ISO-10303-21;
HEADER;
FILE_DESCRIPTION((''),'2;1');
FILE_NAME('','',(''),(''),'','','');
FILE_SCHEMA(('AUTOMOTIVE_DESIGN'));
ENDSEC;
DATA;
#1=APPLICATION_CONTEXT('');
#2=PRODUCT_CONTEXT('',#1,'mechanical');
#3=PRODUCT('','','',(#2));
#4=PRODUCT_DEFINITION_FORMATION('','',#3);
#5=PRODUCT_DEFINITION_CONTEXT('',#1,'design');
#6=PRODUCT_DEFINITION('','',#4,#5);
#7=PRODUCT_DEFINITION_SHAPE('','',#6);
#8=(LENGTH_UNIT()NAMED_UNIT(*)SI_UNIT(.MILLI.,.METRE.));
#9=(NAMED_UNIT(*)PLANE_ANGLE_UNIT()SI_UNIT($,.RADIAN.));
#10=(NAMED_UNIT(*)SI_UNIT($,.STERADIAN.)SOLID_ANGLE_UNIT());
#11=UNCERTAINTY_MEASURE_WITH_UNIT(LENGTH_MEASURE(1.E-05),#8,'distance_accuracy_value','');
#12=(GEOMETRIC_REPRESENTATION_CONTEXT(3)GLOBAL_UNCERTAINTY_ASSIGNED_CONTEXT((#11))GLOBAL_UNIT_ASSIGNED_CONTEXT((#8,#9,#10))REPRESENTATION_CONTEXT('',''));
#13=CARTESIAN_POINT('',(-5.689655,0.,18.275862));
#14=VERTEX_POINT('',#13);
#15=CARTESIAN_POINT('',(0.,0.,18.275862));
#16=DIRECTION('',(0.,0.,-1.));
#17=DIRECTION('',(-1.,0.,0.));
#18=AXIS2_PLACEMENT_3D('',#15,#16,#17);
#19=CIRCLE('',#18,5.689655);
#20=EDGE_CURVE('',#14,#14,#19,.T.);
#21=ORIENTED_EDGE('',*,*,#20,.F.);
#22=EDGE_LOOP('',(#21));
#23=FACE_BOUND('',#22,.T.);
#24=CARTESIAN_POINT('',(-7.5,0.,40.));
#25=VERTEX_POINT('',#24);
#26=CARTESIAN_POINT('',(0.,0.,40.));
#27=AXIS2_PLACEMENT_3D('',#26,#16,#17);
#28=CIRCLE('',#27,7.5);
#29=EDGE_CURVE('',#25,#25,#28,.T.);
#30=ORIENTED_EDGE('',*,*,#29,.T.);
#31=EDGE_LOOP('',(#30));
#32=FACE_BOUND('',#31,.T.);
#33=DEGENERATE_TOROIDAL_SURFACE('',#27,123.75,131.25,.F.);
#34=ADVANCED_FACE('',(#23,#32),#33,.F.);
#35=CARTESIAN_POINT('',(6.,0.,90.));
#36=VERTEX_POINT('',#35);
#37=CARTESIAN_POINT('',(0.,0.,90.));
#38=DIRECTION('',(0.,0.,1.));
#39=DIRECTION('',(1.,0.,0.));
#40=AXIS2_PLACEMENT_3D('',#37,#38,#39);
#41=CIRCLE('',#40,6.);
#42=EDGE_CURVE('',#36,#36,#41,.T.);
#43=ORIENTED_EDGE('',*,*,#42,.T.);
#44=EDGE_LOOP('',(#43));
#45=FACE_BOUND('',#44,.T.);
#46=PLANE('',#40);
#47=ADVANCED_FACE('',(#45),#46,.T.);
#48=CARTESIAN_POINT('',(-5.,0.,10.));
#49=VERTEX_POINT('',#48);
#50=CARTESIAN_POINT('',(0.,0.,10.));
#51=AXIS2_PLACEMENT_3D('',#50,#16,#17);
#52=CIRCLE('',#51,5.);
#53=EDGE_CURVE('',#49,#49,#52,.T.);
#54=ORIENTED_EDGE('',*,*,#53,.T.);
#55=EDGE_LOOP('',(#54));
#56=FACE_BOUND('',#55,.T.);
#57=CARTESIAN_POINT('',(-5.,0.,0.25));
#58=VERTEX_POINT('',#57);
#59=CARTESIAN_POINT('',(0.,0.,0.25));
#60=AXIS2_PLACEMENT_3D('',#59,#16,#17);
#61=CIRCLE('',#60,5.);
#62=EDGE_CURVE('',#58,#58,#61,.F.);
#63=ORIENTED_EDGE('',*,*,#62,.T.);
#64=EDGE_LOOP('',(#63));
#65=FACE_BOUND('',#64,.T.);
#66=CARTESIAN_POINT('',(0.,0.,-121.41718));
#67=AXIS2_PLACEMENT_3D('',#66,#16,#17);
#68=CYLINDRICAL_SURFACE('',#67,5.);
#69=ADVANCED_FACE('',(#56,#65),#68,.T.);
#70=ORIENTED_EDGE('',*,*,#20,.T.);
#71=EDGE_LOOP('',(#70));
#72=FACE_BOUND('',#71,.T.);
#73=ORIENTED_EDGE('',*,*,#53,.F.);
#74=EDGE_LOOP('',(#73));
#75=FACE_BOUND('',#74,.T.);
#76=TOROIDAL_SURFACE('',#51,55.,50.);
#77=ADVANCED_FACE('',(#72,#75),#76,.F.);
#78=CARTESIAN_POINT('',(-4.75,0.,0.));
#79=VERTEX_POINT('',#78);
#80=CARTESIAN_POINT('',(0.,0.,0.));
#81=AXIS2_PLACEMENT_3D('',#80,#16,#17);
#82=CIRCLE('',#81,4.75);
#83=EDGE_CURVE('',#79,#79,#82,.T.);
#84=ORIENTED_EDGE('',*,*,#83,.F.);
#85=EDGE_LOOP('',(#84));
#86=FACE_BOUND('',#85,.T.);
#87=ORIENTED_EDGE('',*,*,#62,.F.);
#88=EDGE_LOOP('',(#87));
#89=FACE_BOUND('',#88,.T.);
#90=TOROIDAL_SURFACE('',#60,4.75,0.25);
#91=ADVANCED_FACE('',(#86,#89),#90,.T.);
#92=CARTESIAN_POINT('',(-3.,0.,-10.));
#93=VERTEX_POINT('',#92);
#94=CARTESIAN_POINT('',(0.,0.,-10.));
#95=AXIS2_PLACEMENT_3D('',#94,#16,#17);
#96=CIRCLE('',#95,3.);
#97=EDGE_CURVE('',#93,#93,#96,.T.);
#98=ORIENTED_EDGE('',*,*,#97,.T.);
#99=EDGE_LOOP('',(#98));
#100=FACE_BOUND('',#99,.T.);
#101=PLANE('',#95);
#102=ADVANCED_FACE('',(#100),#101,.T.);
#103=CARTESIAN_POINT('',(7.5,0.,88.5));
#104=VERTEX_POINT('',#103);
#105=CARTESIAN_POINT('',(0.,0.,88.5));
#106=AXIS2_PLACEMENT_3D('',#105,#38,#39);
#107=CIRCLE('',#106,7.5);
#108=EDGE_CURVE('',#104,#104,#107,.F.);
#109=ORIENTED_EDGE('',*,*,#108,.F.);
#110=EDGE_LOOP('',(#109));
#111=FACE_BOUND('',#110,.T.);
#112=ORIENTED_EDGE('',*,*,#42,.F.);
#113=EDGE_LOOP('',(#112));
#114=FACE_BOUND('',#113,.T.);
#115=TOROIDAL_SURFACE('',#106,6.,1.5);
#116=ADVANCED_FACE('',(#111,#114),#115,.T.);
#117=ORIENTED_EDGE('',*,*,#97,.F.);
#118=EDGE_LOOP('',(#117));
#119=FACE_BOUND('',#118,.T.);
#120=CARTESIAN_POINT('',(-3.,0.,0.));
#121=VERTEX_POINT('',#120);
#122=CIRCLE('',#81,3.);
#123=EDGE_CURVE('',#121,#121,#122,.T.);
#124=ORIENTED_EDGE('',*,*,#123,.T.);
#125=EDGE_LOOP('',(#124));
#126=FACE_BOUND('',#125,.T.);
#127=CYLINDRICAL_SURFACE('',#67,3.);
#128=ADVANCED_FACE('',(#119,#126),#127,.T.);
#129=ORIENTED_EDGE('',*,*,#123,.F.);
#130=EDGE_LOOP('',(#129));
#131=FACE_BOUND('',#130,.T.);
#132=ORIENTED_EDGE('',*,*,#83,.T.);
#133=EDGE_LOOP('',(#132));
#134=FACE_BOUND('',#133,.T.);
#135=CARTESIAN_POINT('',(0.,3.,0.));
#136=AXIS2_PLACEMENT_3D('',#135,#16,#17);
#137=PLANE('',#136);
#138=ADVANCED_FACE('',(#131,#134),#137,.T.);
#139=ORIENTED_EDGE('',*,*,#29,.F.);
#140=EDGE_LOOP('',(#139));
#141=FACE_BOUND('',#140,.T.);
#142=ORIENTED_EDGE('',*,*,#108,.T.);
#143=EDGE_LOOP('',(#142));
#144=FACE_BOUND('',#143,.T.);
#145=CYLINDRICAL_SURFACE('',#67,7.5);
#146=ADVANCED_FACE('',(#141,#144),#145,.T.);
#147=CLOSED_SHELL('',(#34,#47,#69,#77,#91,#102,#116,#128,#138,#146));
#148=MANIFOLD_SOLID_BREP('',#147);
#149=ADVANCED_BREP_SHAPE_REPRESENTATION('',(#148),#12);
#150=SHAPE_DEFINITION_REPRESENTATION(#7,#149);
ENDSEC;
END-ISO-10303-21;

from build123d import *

# Parameters (mm, degrees)
FILLET1_R = 1.5
FILLET2_R = 0.25


with BuildPart() as part:
    # Sketch2 → Revolve1 (revolve)
    with BuildSketch(Plane(origin=(0, 0, 0), x_dir=(0, 0, -1), z_dir=(1, 0, 0))):
        with BuildLine():
            Line((-90, 0), (10, 0))
            Line((10, 0), (10, 3))
            Line((10, 3), (0, 3))
            Line((0, 3), (0, 5))
            Line((0, 5), (-10, 5))
            ThreePointArc((-10, 5), (-14.152273993, 5.172712088), (-18.275862069, 5.689655172))
            ThreePointArc((-18.275862069, 5.689655172), (-29.100280769, 7.04663077), (-40, 7.5))
            Line((-40, 7.5), (-90, 7.5))
            Line((-90, 7.5), (-90, 0))
        make_face()
    revolve(axis=Axis((0, 0, -121.417180302), (0, 0, 1)))

    # Fillet1
    fillet1_edges = [part.edges().sort_by_distance(p)[0] for p in [
        (0, -7.5, 90),
    ]]
    fillet(fillet1_edges, radius=FILLET1_R)

    # Fillet2
    fillet2_edges = [part.edges().sort_by_distance(p)[0] for p in [
        (0, -5, 0),
    ]]
    fillet(fillet2_edges, radius=FILLET2_R)


solid = part.part
